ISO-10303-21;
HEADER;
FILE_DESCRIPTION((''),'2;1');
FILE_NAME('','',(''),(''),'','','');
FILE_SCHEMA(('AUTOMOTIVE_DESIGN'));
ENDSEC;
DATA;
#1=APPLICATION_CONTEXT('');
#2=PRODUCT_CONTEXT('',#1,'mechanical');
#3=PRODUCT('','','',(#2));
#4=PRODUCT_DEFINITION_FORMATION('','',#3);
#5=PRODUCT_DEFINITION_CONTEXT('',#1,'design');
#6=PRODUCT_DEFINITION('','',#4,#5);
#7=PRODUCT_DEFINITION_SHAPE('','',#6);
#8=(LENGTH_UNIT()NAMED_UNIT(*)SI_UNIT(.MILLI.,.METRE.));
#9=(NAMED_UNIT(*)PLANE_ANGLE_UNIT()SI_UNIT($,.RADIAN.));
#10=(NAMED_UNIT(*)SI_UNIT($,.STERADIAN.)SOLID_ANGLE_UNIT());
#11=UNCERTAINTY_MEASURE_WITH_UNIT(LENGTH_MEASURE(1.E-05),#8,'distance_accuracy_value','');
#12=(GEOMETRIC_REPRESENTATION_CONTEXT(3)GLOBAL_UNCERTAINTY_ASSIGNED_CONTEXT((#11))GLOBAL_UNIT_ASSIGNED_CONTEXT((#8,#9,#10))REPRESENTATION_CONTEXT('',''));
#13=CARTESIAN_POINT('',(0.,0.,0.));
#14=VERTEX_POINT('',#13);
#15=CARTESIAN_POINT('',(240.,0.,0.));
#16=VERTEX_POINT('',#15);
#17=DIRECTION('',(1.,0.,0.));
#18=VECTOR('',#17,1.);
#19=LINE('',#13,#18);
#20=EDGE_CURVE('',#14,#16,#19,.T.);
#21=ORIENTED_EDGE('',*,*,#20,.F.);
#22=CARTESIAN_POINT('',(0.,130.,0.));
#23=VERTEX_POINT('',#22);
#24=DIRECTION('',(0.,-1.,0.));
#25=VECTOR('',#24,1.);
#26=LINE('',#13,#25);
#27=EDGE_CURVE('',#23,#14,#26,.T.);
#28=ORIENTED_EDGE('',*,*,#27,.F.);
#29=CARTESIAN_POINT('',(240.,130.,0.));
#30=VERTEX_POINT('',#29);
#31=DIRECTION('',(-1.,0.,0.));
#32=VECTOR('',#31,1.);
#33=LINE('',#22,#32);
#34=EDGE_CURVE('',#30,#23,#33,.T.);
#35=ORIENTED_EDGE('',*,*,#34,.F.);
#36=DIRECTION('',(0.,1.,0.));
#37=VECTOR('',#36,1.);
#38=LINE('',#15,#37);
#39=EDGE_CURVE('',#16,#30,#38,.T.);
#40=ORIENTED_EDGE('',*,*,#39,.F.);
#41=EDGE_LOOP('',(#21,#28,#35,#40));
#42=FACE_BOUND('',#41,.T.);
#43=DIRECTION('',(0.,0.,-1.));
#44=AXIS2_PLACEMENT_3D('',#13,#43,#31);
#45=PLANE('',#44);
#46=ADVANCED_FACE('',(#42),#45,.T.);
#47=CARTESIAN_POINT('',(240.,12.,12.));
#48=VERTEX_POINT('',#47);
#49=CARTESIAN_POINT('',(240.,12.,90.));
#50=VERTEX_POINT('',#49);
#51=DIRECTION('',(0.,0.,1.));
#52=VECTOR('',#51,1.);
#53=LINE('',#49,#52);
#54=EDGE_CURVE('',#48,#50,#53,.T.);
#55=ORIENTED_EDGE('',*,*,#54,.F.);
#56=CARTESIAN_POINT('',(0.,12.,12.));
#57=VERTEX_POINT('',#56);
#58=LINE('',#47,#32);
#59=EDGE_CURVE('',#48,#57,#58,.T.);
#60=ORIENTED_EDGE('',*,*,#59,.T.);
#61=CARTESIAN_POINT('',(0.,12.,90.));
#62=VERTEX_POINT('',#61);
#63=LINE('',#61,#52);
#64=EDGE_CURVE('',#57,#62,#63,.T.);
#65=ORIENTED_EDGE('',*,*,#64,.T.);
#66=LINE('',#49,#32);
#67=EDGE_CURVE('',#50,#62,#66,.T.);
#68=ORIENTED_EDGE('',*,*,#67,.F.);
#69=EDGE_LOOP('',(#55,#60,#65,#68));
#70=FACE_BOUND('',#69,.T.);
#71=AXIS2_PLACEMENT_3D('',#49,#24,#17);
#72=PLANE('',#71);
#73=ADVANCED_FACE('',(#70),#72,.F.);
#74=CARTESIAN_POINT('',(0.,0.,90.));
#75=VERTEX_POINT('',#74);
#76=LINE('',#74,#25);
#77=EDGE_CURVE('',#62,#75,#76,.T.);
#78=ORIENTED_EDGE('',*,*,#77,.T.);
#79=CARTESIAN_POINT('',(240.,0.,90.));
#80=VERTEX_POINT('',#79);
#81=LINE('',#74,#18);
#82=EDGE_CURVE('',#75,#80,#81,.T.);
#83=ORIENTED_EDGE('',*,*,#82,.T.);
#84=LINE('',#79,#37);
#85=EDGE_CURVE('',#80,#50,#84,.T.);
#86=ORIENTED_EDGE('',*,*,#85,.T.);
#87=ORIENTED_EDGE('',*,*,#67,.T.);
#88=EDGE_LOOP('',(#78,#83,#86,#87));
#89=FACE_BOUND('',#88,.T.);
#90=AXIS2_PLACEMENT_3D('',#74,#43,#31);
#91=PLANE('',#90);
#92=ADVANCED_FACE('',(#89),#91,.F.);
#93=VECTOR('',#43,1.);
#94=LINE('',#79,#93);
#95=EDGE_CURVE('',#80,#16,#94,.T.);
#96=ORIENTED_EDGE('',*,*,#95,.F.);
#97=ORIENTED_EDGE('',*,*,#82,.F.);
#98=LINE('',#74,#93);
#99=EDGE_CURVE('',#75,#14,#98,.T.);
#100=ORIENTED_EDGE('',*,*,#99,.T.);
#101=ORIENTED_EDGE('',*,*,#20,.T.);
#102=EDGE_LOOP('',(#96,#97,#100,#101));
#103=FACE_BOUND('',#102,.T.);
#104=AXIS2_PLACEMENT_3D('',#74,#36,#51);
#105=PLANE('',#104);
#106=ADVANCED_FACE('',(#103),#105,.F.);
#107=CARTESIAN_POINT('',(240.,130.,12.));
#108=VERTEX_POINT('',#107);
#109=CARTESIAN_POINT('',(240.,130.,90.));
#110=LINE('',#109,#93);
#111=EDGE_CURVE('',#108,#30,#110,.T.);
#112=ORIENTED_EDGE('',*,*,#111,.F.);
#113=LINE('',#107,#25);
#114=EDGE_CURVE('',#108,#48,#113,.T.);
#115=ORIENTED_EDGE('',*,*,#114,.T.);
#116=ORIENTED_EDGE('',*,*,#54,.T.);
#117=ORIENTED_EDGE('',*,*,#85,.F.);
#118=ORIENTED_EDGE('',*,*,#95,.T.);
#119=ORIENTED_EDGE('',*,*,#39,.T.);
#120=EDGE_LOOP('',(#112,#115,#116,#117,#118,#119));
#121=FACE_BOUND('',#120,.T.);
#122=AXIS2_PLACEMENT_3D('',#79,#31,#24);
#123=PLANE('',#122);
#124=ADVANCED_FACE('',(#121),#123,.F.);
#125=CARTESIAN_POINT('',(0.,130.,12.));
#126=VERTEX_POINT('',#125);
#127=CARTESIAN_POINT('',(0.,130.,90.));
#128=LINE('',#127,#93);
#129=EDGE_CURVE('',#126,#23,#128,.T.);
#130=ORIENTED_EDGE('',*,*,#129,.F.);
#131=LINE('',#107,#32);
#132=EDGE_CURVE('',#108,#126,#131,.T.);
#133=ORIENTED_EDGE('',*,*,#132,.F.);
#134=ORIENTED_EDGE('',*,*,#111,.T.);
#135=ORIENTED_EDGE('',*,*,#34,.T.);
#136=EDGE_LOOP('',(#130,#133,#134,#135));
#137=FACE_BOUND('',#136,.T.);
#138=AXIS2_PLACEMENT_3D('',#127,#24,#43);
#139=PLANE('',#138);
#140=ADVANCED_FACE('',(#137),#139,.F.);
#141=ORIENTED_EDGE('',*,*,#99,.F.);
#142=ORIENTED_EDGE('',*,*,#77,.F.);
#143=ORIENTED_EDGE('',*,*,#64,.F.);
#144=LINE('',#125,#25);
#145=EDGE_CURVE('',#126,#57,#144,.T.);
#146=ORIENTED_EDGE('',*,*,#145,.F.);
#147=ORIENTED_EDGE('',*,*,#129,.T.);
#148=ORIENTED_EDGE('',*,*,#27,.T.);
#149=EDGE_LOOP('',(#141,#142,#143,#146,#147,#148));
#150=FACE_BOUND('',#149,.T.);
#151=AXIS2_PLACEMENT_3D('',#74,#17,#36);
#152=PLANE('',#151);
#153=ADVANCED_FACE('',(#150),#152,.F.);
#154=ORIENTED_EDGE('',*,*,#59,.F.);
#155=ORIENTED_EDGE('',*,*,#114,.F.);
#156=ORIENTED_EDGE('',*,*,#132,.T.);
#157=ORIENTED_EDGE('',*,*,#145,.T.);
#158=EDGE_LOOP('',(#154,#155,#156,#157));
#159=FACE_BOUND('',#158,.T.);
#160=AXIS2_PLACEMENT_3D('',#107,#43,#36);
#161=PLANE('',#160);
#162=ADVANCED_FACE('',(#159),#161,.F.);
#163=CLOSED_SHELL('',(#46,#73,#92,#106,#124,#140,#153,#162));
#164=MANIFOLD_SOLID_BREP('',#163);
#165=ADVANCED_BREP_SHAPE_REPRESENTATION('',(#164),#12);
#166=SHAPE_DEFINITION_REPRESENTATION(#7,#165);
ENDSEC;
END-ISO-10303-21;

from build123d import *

# Parameters (mm, degrees)
SKETCH_1_W          = 240
SKETCH_1_H          = 130
EXTRUDE_1_DEPTH     = 90
SKETCH_2_W          = 78
SKETCH_2_H          = 118
CUT_EXTRUDE_1_DEPTH = 288.402157264


with BuildPart() as part:
    # 草图1 → 凸台-拉伸1 (new body)
    with BuildSketch(Plane.XY):
        with Locations((120, 65)):
            Rectangle(SKETCH_1_W, SKETCH_1_H)
    extrude(amount=EXTRUDE_1_DEPTH)

    # 草图2 → 切除-拉伸1 (cut, through all)
    with BuildSketch(Plane.ZY):
        with Locations((51, 71)):
            Rectangle(SKETCH_2_W, SKETCH_2_H)
    extrude(amount=-CUT_EXTRUDE_1_DEPTH, mode=Mode.SUBTRACT)


solid = part.part
